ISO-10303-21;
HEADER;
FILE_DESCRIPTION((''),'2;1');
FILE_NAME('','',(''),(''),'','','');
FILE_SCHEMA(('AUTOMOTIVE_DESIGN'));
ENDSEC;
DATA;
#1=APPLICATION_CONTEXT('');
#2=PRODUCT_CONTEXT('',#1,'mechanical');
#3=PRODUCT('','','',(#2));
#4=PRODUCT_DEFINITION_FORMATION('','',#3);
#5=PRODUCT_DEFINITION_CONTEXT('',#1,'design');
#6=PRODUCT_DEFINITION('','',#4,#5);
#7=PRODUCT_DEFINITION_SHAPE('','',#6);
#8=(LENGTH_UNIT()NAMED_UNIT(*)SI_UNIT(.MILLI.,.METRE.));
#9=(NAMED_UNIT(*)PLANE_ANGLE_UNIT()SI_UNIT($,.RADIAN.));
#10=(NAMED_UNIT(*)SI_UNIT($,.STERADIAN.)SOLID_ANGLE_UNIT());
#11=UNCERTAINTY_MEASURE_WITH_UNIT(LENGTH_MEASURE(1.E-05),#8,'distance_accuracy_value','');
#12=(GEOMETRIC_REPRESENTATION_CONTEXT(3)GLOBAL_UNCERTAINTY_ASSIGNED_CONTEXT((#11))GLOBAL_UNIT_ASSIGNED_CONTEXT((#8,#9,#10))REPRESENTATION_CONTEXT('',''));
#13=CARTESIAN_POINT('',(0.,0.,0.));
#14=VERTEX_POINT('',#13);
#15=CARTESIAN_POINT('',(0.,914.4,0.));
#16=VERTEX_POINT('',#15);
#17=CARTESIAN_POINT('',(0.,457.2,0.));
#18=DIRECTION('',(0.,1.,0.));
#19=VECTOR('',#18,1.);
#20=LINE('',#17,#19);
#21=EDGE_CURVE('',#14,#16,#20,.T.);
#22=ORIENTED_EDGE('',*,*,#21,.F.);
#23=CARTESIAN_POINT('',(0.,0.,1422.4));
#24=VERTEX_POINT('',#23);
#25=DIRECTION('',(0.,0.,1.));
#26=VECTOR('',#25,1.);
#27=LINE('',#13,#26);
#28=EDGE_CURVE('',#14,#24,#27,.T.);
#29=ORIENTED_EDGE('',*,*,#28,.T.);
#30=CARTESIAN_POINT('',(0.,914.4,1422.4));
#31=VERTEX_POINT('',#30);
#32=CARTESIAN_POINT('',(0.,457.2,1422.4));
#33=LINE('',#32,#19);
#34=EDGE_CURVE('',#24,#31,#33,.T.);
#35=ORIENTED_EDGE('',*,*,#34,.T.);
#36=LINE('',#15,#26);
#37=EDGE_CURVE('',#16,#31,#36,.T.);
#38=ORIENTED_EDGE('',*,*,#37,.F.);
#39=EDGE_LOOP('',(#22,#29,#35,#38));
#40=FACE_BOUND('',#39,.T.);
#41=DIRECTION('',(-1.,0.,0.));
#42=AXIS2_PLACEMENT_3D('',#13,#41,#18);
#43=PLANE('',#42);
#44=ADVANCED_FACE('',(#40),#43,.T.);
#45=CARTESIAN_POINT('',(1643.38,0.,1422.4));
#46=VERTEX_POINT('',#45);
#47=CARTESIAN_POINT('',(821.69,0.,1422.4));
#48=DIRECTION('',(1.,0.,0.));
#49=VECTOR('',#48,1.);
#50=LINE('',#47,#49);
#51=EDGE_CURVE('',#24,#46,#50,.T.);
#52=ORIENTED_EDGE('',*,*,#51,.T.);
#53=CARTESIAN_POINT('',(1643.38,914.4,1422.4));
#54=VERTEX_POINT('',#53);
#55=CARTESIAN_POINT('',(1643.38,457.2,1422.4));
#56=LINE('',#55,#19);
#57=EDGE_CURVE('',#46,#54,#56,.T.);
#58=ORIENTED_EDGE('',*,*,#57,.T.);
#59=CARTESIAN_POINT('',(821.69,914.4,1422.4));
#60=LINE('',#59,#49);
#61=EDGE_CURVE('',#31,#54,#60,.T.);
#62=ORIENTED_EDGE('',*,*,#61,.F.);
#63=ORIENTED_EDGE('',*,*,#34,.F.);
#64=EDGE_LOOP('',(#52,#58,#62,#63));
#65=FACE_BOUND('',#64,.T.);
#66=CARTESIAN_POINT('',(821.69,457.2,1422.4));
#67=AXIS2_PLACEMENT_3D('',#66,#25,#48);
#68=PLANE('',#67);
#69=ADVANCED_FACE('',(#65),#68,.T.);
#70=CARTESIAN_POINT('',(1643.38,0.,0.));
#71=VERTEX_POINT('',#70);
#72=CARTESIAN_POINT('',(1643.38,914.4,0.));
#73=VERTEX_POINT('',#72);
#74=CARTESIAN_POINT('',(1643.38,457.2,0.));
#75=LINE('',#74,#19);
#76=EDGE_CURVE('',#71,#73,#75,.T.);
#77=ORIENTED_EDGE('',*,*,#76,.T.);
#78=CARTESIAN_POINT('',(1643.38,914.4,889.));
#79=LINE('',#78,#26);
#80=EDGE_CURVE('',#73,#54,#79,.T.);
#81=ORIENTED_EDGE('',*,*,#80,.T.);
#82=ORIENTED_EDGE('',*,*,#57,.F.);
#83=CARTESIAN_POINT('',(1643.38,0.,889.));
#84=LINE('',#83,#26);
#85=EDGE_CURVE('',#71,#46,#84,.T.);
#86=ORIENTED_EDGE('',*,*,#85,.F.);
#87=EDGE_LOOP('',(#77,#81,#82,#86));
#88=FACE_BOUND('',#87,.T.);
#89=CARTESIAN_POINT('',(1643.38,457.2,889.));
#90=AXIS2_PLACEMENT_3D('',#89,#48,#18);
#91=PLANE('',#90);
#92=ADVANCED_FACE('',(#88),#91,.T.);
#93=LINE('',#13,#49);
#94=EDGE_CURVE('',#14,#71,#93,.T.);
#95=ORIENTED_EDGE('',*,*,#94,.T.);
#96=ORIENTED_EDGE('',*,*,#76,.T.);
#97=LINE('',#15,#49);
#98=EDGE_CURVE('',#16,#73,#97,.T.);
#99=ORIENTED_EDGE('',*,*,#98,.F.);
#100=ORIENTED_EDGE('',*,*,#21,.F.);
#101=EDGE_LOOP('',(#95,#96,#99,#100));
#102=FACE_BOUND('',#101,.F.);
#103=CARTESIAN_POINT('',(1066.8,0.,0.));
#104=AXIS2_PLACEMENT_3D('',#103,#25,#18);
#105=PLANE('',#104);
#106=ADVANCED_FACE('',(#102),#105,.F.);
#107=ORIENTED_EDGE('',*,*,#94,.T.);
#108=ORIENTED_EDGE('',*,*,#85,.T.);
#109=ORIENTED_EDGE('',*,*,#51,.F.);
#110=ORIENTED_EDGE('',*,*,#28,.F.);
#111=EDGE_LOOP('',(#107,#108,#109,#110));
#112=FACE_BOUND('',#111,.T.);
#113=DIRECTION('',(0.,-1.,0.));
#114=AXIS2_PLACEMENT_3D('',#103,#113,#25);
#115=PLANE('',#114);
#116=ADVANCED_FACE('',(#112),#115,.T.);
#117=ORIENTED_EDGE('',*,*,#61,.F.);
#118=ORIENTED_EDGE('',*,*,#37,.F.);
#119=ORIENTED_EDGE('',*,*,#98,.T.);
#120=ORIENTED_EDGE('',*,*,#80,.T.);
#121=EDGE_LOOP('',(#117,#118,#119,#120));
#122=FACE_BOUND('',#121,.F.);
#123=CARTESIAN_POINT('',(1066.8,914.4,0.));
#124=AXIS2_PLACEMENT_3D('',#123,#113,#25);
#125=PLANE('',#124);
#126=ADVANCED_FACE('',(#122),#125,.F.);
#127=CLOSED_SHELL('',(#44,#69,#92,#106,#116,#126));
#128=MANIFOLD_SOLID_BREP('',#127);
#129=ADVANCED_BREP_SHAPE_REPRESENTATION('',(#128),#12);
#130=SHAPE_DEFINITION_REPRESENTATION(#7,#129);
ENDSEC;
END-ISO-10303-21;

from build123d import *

# Parameters (mm, degrees)
F0_W      = 1066.8
F0_H      = 914.4
F1_DEPTH  = 1778
F1_FACE_W = 914.4
F1_FACE_H = 1778
F2_DEPTH  = 576.58
F2_FACE_W = 1643.38
F2_FACE_H = 914.4
F3_DEPTH  = 355.6


with BuildPart() as f1:
    # F0 (on Top) → F1 (new body)
    with BuildSketch(Plane.XY):
        with Locations((533.4, 457.2)):
            Rectangle(F0_W, F0_H)
    extrude(amount=F1_DEPTH)

    # F1_face (on face) → F2 (join)
    with BuildSketch(Plane(origin=(1066.8, 457.2, 889), x_dir=(0, 1, 0), z_dir=(1, 0, 0))):
        Rectangle(F1_FACE_W, F1_FACE_H)
    extrude(amount=F2_DEPTH)

    # F2_face (on face) → F3 (cut)
    with BuildSketch(Plane(origin=(821.69, 457.2, 1778), x_dir=(1, 0, 0), z_dir=(0, 0, 1))):
        Rectangle(F2_FACE_W, F2_FACE_H)
    extrude(amount=-F3_DEPTH, mode=Mode.SUBTRACT)


solid = f1.part
